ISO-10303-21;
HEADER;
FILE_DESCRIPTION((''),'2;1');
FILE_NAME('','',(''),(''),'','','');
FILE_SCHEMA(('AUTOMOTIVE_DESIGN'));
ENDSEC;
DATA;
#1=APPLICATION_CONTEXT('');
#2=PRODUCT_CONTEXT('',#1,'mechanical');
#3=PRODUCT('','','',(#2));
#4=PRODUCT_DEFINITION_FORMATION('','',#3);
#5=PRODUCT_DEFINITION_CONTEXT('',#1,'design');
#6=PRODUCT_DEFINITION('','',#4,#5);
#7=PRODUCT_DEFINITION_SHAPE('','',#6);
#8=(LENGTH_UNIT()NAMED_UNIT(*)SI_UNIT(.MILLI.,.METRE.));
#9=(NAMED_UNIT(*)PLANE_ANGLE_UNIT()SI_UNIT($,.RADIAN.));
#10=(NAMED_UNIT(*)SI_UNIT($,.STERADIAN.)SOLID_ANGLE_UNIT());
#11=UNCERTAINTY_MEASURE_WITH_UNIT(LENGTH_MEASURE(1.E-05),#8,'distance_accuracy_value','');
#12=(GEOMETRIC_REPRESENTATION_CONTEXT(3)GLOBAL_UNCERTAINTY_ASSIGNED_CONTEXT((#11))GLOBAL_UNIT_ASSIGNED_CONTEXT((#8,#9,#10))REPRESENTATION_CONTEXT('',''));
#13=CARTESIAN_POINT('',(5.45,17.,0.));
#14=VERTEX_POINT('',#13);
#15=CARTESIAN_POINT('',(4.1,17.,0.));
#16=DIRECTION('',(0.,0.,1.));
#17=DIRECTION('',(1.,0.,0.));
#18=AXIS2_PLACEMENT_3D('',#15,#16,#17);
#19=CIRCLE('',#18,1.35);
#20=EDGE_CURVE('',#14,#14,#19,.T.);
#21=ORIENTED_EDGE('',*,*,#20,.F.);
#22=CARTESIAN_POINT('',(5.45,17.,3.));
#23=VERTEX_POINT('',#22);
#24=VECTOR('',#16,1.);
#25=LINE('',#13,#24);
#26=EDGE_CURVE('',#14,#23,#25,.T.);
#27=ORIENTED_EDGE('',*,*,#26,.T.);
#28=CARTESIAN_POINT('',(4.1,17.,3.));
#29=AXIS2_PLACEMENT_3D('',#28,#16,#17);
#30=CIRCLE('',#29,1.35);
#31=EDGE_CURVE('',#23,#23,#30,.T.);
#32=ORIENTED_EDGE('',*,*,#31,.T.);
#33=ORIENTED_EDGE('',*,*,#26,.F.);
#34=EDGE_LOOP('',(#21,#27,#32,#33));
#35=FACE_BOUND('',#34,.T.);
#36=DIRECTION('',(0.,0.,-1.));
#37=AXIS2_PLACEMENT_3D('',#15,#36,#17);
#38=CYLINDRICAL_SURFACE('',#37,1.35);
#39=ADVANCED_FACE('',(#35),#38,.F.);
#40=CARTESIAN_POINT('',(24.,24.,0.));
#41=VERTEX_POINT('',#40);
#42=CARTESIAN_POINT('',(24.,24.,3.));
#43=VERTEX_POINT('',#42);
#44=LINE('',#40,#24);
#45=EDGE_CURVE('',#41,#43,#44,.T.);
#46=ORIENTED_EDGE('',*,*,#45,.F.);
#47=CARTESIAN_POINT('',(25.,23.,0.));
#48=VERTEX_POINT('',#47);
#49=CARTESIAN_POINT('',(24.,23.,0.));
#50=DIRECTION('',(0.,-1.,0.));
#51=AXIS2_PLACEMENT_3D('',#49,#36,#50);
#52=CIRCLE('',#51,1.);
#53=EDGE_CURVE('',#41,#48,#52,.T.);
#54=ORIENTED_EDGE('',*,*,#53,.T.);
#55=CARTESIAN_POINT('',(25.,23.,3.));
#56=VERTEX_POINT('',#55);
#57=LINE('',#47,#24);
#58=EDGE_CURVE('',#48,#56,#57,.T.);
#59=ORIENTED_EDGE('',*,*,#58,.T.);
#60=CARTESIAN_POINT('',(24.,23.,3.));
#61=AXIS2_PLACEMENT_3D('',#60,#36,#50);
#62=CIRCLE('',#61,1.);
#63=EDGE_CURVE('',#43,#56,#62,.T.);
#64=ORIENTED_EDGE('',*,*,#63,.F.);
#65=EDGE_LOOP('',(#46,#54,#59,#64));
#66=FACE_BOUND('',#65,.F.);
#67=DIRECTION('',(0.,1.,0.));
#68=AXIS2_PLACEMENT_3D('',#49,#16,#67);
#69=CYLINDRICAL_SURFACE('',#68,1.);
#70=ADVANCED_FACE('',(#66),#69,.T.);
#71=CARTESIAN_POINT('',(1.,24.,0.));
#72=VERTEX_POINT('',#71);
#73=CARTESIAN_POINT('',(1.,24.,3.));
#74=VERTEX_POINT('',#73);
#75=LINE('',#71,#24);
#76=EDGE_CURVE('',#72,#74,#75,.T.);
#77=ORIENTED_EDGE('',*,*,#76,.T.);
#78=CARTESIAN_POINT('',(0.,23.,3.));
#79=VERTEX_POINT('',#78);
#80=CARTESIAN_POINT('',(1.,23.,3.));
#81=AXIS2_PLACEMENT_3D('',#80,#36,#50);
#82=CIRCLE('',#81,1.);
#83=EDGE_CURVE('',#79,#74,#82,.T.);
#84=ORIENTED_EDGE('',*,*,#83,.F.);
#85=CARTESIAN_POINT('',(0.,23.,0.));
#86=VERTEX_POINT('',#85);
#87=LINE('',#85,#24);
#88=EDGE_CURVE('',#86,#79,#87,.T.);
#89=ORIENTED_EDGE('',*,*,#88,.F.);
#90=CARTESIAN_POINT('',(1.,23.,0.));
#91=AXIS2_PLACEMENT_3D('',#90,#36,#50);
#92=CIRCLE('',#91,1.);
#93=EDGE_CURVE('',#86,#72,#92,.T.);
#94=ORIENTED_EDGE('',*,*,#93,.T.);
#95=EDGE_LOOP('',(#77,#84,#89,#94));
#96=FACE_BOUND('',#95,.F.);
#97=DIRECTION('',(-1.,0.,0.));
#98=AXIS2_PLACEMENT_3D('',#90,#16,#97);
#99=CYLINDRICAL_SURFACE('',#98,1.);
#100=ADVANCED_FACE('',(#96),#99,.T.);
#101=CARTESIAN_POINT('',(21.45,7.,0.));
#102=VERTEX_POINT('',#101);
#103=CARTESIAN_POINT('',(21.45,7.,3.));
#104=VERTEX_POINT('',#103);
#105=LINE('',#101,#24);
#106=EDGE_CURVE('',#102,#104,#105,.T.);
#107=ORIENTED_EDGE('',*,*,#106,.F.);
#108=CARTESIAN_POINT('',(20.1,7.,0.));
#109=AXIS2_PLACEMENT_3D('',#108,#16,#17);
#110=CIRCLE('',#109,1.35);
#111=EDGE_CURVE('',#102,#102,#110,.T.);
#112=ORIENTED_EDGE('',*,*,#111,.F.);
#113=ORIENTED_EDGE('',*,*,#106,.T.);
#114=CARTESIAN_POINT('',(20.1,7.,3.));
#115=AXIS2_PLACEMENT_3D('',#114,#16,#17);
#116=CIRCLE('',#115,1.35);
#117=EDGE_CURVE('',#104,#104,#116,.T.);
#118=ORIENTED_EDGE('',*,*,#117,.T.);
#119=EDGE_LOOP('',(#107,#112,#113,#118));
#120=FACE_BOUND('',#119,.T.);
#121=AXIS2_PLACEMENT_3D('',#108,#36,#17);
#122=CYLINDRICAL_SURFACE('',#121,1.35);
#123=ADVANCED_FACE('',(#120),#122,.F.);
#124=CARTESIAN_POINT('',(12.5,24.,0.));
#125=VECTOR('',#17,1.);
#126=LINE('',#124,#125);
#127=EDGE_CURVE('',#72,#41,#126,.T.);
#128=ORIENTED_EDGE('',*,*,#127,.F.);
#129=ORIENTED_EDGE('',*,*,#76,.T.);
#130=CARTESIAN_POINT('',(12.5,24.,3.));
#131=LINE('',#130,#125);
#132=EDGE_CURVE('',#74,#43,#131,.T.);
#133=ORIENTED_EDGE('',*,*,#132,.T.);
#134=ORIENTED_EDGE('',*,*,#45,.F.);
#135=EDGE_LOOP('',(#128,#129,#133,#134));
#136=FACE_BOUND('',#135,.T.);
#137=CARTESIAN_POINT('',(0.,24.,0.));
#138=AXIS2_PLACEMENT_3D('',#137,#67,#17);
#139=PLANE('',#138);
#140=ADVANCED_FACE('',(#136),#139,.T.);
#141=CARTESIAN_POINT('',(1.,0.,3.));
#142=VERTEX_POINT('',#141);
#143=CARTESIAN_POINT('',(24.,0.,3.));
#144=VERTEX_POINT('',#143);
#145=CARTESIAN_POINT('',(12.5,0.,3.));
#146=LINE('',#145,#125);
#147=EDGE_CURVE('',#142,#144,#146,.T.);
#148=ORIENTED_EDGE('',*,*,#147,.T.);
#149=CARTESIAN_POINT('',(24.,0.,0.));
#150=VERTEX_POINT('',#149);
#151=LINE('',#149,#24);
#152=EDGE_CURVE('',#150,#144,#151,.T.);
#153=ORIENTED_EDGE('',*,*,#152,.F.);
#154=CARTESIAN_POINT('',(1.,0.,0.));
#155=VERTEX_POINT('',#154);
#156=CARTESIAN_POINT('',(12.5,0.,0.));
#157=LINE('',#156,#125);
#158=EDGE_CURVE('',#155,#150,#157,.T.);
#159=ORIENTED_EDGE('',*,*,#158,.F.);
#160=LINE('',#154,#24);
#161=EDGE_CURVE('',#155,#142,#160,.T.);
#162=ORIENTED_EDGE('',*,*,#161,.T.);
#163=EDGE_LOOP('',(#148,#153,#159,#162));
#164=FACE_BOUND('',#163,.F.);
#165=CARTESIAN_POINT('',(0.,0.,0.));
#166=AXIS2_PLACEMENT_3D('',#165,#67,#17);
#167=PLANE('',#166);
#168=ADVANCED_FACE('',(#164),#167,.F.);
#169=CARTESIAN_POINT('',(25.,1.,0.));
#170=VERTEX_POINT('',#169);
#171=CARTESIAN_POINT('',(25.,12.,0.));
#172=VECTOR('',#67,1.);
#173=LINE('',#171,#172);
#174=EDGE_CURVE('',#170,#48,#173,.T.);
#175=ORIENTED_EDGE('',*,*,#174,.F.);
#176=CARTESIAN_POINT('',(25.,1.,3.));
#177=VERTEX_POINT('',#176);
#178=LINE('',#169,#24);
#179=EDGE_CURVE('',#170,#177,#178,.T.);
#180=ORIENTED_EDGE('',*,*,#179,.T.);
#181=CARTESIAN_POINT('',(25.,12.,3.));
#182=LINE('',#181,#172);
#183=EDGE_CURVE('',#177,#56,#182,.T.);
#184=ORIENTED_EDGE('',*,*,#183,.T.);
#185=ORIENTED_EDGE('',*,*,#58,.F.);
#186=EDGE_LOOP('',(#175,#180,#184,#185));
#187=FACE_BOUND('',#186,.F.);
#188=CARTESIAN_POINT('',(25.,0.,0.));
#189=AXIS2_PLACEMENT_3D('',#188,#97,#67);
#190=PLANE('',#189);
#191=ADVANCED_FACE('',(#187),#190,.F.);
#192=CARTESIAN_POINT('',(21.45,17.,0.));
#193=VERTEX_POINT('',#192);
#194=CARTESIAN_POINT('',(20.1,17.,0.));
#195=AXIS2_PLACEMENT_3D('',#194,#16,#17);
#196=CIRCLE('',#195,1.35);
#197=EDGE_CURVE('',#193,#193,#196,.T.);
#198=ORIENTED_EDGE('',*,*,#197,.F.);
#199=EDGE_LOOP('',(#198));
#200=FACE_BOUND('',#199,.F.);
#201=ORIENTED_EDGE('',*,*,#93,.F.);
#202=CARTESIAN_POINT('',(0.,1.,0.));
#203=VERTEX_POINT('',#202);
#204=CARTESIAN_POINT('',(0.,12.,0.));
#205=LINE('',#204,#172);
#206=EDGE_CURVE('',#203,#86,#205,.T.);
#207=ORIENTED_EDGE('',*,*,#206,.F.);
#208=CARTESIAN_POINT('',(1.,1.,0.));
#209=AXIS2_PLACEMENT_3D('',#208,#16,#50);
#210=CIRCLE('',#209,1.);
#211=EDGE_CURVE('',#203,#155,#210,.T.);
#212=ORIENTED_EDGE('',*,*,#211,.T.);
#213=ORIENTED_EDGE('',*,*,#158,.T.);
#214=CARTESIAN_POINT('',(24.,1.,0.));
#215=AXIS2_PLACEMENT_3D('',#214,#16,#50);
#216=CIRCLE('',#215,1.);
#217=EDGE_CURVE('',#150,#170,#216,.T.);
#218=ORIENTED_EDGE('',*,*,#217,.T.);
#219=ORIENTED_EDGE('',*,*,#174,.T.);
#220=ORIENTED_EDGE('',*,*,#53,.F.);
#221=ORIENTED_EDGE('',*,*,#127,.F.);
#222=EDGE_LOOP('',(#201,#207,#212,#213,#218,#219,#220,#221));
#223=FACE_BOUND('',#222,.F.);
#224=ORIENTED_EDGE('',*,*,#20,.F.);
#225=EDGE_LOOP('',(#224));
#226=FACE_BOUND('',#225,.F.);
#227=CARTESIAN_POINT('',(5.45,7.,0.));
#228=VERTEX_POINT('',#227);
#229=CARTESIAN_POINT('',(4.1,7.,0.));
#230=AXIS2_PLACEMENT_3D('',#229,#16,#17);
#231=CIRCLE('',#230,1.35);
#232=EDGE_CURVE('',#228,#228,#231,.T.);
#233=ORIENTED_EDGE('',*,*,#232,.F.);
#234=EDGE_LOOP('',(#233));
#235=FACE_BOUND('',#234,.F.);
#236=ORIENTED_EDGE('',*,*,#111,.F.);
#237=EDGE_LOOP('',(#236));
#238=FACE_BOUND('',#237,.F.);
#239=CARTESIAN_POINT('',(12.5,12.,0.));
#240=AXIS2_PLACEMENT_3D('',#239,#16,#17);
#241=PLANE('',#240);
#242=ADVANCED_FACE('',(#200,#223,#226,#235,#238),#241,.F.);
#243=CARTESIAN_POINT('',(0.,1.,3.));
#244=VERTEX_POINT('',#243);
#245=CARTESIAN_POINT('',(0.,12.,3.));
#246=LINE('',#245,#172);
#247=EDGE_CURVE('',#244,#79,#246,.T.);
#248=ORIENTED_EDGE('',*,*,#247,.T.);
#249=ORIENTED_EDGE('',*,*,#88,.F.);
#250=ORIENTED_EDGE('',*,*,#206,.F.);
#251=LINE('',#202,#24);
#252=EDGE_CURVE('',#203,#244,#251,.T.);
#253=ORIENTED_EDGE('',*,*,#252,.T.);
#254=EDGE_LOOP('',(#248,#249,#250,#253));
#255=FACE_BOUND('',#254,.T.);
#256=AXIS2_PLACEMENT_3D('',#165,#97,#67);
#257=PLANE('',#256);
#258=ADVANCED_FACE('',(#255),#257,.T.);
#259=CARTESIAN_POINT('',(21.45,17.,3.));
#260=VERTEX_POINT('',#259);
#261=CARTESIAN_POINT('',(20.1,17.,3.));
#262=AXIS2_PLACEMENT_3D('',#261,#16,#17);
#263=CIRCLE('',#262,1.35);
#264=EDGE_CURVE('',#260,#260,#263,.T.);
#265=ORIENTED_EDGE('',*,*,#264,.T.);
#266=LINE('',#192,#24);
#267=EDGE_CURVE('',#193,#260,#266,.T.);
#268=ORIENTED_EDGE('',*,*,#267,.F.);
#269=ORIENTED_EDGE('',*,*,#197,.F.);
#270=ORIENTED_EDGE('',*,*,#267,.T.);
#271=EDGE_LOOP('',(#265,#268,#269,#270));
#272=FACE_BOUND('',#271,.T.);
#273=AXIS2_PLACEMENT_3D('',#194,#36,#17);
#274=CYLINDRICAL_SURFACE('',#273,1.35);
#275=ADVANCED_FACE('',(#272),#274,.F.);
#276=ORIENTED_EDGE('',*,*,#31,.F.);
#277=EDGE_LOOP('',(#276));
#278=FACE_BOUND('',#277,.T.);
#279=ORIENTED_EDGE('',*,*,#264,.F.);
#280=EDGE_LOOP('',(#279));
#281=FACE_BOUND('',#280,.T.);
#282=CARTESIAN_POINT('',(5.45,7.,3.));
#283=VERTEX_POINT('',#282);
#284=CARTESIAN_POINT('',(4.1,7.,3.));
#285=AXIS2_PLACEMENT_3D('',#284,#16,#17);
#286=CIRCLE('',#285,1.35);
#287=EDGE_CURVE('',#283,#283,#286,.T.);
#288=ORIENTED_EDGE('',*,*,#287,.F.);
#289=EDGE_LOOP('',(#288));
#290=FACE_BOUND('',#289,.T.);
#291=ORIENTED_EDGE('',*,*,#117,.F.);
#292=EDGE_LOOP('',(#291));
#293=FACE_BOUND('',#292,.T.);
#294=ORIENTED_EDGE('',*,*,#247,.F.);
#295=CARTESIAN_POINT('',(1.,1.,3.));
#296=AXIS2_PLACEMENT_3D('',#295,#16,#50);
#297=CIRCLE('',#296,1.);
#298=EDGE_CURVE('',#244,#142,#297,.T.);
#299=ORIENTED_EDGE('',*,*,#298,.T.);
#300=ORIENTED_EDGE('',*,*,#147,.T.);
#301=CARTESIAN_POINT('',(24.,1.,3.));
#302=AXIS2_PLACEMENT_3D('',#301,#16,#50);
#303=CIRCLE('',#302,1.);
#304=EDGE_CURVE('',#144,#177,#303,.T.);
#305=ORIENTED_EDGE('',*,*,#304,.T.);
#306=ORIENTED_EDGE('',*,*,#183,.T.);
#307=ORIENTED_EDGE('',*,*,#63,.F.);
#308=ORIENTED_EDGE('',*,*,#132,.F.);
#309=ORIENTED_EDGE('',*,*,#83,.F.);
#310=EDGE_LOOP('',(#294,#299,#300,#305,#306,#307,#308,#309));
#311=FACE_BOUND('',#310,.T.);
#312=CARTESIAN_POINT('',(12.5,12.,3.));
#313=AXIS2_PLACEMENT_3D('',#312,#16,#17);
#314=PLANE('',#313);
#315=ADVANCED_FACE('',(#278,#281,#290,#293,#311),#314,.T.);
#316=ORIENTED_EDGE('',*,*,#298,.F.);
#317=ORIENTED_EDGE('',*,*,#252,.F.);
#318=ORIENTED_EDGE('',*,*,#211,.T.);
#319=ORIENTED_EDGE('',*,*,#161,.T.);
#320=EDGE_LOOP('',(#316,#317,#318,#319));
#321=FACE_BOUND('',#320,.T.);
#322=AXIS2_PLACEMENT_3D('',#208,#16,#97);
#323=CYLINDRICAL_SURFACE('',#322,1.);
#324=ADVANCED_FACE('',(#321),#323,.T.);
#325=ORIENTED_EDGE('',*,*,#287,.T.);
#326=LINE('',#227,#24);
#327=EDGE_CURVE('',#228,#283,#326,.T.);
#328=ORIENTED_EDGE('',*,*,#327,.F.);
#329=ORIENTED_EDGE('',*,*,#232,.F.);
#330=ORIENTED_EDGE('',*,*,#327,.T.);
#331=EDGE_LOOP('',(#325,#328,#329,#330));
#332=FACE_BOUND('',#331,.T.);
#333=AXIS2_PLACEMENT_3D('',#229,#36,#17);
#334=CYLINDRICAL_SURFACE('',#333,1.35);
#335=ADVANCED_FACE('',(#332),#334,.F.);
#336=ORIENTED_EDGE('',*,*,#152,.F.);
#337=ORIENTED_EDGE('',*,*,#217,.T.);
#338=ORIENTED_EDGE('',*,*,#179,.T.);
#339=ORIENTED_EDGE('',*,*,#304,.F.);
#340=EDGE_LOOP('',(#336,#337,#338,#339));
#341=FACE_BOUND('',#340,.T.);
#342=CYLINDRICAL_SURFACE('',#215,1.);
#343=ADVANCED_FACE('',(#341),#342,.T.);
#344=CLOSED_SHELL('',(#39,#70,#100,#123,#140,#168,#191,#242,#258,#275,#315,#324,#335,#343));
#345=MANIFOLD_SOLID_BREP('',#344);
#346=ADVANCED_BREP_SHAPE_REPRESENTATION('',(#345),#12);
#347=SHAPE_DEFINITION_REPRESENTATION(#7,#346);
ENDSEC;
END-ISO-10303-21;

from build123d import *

# Parameters (mm, degrees)
SKETCH_W  = 25
SKETCH_H  = 24
SKETCH_R  = 1.35
PAD_DEPTH = 3
FILLET_R  = 1


with BuildPart() as part:
    # Sketch → Pad (new body)
    with BuildSketch(Plane.XY):
        with Locations((12.5, 12)):
            Rectangle(SKETCH_W, SKETCH_H)
        with Locations((4.1, 17)):
            Circle(SKETCH_R, mode=Mode.SUBTRACT)
        with Locations((20.1, 17)):
            Circle(SKETCH_R, mode=Mode.SUBTRACT)
        with Locations((4.1, 7)):
            Circle(SKETCH_R, mode=Mode.SUBTRACT)
        with Locations((20.1, 7)):
            Circle(SKETCH_R, mode=Mode.SUBTRACT)
    extrude(amount=PAD_DEPTH)

    # Fillet
    fillet_edges = [part.edges().sort_by_distance(p)[0] for p in [
        (0, 0, 1.5),
        (25, 0, 1.5),
        (25, 24, 1.5),
        (0, 24, 1.5),
    ]]
    fillet(fillet_edges, radius=FILLET_R)


solid = part.part
